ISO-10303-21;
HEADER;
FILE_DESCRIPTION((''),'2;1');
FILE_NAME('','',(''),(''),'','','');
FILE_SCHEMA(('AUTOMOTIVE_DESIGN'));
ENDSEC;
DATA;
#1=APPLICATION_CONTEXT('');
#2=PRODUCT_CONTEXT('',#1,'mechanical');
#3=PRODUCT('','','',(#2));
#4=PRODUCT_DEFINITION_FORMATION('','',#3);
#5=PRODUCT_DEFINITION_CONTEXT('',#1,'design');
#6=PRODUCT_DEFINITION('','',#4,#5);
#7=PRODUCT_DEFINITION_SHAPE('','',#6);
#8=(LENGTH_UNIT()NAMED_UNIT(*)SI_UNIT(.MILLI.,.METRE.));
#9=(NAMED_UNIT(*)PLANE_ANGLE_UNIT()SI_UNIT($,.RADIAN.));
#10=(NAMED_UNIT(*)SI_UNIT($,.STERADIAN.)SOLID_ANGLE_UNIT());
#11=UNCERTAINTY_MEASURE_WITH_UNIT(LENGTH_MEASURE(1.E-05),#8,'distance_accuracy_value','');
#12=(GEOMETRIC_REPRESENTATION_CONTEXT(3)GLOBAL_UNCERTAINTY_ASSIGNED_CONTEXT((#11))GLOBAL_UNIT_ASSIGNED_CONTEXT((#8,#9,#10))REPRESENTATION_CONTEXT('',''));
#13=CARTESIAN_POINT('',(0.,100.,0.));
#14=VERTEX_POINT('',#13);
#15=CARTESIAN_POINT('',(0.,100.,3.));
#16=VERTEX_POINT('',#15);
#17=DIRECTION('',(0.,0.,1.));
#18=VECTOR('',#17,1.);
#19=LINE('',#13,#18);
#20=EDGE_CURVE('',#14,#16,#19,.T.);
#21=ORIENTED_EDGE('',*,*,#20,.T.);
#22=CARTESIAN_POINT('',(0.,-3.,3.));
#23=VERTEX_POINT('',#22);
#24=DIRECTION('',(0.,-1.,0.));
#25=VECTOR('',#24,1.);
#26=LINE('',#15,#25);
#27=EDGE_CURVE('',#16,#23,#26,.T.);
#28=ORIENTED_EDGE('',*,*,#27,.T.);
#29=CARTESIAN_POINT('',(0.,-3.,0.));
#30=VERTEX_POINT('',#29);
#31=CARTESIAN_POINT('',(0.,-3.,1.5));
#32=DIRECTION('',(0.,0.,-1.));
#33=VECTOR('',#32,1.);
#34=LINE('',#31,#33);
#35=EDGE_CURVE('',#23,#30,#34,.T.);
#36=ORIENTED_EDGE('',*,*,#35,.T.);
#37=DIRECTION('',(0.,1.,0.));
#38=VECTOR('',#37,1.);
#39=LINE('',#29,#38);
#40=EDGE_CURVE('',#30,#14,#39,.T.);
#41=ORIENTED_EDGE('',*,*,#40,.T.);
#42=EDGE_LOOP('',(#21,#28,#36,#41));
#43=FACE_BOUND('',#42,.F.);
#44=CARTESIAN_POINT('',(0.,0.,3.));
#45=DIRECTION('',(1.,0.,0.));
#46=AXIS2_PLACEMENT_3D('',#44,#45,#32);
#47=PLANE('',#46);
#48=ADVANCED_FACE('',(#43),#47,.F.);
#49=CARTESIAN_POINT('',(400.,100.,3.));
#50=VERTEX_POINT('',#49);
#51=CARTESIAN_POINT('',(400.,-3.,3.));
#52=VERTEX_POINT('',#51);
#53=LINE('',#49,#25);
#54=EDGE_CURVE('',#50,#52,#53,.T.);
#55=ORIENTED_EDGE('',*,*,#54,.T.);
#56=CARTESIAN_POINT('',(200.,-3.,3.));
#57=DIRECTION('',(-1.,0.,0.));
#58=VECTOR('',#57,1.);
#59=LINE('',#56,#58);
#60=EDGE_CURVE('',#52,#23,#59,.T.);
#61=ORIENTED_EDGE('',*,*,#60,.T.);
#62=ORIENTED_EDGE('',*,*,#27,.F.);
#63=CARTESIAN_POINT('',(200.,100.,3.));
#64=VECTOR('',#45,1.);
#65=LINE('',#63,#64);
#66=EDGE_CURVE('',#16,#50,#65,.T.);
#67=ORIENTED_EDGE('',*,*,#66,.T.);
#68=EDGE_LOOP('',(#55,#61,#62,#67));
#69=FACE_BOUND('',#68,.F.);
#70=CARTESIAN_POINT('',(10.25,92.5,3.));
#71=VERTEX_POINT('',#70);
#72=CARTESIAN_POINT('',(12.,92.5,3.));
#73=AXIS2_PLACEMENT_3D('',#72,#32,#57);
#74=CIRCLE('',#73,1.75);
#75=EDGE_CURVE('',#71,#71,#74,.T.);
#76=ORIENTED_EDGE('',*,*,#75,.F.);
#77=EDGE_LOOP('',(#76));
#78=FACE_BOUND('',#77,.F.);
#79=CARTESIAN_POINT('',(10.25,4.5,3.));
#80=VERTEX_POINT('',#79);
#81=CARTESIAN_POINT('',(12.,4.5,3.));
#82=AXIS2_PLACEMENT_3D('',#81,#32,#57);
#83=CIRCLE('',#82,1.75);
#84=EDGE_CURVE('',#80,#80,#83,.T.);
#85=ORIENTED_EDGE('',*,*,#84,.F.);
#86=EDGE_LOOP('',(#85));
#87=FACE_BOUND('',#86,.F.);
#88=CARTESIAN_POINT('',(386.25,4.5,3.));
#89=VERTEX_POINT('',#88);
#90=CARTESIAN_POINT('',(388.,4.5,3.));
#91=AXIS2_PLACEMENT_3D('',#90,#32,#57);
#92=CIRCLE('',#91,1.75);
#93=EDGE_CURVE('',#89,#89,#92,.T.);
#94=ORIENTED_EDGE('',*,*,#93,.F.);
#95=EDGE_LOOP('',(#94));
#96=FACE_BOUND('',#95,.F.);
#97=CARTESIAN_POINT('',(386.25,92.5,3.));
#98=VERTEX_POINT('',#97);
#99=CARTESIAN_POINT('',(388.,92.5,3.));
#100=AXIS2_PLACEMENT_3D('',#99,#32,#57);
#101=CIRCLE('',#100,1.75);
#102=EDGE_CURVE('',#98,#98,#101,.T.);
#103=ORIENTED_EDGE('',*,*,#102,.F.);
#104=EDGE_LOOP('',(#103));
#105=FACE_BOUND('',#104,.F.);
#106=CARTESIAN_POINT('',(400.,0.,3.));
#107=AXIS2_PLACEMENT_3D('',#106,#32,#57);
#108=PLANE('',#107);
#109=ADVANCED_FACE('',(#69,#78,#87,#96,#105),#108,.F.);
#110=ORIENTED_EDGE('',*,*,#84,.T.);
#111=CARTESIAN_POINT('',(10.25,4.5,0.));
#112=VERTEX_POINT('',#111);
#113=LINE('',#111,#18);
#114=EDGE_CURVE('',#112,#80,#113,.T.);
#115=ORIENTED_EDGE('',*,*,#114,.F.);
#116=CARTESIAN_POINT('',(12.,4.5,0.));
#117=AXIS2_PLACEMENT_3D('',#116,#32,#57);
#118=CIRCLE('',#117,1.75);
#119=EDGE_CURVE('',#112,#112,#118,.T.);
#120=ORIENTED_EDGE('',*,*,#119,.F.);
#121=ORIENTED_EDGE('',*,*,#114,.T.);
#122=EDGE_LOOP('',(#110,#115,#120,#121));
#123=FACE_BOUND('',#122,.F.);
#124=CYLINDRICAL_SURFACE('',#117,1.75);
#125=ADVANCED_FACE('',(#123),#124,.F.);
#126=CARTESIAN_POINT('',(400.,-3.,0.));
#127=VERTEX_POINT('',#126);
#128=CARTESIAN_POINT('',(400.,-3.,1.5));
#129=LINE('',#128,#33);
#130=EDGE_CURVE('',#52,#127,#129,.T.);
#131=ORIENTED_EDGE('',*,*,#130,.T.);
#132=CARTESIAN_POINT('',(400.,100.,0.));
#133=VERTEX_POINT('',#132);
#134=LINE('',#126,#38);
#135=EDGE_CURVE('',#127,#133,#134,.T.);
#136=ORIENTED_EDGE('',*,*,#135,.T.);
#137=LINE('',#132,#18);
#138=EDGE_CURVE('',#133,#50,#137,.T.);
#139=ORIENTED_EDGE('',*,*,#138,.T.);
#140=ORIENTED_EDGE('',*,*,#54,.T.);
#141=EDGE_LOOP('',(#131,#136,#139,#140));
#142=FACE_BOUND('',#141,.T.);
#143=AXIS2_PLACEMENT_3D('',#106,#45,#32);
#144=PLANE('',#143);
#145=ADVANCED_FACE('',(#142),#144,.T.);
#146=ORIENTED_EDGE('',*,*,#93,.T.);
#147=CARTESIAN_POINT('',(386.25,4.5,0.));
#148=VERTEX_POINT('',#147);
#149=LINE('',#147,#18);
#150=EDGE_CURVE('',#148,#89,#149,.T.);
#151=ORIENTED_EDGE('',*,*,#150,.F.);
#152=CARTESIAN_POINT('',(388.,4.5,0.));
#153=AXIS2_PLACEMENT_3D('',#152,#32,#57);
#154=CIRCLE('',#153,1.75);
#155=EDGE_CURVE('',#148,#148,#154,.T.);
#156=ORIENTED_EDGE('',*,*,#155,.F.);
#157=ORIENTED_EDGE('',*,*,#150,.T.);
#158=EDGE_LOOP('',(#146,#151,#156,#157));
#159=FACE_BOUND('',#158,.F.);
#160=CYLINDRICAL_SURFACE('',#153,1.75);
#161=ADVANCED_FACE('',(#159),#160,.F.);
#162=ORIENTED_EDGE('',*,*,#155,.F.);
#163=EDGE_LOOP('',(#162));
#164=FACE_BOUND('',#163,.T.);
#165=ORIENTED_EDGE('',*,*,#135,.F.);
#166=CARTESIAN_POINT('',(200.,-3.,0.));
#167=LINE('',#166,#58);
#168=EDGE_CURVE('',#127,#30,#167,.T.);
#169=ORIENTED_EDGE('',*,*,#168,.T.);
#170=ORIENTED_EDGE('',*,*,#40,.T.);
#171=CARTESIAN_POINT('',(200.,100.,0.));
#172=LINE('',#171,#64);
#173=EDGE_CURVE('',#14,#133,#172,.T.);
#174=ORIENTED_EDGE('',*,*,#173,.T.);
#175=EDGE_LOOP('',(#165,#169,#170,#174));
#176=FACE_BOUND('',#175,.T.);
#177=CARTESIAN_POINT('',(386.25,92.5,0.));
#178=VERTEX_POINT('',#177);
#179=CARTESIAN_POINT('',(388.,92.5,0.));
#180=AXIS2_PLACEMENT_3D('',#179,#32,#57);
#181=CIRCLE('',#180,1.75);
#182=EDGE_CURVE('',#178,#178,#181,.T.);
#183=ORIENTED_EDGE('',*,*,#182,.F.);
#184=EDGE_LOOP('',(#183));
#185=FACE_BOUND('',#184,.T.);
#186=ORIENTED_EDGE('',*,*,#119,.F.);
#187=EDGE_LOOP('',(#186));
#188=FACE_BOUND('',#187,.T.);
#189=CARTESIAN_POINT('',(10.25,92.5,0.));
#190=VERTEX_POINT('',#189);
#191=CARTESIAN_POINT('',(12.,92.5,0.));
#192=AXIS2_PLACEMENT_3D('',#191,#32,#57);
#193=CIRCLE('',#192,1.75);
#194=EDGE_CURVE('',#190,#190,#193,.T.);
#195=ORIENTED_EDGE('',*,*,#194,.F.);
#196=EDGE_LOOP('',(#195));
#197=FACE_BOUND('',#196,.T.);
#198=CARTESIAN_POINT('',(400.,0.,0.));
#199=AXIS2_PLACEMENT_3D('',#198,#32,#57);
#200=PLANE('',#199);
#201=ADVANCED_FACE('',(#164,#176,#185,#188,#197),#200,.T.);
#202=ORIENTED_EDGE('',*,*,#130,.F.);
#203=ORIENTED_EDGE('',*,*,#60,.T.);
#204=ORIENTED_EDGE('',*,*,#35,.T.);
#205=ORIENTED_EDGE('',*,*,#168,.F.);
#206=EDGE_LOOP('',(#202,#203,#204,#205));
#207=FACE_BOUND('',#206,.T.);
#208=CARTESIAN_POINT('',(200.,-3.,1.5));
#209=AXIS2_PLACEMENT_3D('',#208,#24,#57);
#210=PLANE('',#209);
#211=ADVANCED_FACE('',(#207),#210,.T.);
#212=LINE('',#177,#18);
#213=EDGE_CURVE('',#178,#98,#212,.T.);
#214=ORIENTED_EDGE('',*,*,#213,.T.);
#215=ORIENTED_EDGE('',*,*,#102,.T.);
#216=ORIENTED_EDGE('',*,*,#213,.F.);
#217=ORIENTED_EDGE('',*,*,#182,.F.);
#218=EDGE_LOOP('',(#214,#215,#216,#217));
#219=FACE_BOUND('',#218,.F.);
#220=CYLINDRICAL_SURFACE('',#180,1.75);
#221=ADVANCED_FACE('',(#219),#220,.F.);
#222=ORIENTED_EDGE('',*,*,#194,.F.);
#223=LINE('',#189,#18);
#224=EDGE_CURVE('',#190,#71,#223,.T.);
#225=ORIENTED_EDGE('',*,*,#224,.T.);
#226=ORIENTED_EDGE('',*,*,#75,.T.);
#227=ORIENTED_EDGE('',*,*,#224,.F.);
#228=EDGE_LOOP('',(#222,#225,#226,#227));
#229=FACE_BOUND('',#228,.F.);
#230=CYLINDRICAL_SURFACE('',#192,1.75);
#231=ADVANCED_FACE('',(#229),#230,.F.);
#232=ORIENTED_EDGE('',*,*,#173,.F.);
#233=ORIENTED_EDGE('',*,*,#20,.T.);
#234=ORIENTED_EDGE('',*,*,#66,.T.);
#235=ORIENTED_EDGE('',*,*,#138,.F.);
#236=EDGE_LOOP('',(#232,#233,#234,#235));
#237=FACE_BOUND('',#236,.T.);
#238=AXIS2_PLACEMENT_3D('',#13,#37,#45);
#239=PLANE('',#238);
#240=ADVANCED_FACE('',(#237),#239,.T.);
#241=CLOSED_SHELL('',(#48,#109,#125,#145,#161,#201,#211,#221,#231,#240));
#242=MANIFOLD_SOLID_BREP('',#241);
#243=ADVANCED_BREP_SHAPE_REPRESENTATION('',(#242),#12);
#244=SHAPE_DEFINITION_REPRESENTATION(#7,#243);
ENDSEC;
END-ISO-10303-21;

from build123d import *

# Parameters (mm, degrees)
SKETCH1_W           = 400
SKETCH1_H           = 100
BOSS_EXTRUDE1_DEPTH = 3
SKETCH7_R           = 1.75
CUT_EXTRUDE6_DEPTH  = 4
SKETCH8_W           = 400
SKETCH8_H           = 3
BOSS_EXTRUDE2_DEPTH = 3


with BuildPart() as part:
    # Sketch1 → Boss-Extrude1 (new body)
    with BuildSketch(Plane.XY):
        with Locations((200, 50)):
            Rectangle(SKETCH1_W, SKETCH1_H)
    extrude(amount=BOSS_EXTRUDE1_DEPTH)

    # Sketch7 → Cut-Extrude6 (cut, through all)
    with BuildSketch(Plane(origin=(0, 0, 0), x_dir=(-1, 0, 0), z_dir=(0, 0, -1))):
        with Locations((-388, 92.5)):
            Circle(SKETCH7_R)
        with Locations((-388, 4.5)):
            Circle(SKETCH7_R)
        with Locations((-12, 92.5)):
            Circle(SKETCH7_R)
        with Locations((-12, 4.5)):
            Circle(SKETCH7_R)
    extrude(amount=-CUT_EXTRUDE6_DEPTH, mode=Mode.SUBTRACT)

    # Sketch8 → Boss-Extrude2 (add)
    with BuildSketch(Plane(origin=(0, 0, 0), x_dir=(-1, 0, 0), z_dir=(0, -1, 0))):
        with Locations((-200, -1.5)):
            Rectangle(SKETCH8_W, SKETCH8_H)
    extrude(amount=BOSS_EXTRUDE2_DEPTH)


solid = part.part
